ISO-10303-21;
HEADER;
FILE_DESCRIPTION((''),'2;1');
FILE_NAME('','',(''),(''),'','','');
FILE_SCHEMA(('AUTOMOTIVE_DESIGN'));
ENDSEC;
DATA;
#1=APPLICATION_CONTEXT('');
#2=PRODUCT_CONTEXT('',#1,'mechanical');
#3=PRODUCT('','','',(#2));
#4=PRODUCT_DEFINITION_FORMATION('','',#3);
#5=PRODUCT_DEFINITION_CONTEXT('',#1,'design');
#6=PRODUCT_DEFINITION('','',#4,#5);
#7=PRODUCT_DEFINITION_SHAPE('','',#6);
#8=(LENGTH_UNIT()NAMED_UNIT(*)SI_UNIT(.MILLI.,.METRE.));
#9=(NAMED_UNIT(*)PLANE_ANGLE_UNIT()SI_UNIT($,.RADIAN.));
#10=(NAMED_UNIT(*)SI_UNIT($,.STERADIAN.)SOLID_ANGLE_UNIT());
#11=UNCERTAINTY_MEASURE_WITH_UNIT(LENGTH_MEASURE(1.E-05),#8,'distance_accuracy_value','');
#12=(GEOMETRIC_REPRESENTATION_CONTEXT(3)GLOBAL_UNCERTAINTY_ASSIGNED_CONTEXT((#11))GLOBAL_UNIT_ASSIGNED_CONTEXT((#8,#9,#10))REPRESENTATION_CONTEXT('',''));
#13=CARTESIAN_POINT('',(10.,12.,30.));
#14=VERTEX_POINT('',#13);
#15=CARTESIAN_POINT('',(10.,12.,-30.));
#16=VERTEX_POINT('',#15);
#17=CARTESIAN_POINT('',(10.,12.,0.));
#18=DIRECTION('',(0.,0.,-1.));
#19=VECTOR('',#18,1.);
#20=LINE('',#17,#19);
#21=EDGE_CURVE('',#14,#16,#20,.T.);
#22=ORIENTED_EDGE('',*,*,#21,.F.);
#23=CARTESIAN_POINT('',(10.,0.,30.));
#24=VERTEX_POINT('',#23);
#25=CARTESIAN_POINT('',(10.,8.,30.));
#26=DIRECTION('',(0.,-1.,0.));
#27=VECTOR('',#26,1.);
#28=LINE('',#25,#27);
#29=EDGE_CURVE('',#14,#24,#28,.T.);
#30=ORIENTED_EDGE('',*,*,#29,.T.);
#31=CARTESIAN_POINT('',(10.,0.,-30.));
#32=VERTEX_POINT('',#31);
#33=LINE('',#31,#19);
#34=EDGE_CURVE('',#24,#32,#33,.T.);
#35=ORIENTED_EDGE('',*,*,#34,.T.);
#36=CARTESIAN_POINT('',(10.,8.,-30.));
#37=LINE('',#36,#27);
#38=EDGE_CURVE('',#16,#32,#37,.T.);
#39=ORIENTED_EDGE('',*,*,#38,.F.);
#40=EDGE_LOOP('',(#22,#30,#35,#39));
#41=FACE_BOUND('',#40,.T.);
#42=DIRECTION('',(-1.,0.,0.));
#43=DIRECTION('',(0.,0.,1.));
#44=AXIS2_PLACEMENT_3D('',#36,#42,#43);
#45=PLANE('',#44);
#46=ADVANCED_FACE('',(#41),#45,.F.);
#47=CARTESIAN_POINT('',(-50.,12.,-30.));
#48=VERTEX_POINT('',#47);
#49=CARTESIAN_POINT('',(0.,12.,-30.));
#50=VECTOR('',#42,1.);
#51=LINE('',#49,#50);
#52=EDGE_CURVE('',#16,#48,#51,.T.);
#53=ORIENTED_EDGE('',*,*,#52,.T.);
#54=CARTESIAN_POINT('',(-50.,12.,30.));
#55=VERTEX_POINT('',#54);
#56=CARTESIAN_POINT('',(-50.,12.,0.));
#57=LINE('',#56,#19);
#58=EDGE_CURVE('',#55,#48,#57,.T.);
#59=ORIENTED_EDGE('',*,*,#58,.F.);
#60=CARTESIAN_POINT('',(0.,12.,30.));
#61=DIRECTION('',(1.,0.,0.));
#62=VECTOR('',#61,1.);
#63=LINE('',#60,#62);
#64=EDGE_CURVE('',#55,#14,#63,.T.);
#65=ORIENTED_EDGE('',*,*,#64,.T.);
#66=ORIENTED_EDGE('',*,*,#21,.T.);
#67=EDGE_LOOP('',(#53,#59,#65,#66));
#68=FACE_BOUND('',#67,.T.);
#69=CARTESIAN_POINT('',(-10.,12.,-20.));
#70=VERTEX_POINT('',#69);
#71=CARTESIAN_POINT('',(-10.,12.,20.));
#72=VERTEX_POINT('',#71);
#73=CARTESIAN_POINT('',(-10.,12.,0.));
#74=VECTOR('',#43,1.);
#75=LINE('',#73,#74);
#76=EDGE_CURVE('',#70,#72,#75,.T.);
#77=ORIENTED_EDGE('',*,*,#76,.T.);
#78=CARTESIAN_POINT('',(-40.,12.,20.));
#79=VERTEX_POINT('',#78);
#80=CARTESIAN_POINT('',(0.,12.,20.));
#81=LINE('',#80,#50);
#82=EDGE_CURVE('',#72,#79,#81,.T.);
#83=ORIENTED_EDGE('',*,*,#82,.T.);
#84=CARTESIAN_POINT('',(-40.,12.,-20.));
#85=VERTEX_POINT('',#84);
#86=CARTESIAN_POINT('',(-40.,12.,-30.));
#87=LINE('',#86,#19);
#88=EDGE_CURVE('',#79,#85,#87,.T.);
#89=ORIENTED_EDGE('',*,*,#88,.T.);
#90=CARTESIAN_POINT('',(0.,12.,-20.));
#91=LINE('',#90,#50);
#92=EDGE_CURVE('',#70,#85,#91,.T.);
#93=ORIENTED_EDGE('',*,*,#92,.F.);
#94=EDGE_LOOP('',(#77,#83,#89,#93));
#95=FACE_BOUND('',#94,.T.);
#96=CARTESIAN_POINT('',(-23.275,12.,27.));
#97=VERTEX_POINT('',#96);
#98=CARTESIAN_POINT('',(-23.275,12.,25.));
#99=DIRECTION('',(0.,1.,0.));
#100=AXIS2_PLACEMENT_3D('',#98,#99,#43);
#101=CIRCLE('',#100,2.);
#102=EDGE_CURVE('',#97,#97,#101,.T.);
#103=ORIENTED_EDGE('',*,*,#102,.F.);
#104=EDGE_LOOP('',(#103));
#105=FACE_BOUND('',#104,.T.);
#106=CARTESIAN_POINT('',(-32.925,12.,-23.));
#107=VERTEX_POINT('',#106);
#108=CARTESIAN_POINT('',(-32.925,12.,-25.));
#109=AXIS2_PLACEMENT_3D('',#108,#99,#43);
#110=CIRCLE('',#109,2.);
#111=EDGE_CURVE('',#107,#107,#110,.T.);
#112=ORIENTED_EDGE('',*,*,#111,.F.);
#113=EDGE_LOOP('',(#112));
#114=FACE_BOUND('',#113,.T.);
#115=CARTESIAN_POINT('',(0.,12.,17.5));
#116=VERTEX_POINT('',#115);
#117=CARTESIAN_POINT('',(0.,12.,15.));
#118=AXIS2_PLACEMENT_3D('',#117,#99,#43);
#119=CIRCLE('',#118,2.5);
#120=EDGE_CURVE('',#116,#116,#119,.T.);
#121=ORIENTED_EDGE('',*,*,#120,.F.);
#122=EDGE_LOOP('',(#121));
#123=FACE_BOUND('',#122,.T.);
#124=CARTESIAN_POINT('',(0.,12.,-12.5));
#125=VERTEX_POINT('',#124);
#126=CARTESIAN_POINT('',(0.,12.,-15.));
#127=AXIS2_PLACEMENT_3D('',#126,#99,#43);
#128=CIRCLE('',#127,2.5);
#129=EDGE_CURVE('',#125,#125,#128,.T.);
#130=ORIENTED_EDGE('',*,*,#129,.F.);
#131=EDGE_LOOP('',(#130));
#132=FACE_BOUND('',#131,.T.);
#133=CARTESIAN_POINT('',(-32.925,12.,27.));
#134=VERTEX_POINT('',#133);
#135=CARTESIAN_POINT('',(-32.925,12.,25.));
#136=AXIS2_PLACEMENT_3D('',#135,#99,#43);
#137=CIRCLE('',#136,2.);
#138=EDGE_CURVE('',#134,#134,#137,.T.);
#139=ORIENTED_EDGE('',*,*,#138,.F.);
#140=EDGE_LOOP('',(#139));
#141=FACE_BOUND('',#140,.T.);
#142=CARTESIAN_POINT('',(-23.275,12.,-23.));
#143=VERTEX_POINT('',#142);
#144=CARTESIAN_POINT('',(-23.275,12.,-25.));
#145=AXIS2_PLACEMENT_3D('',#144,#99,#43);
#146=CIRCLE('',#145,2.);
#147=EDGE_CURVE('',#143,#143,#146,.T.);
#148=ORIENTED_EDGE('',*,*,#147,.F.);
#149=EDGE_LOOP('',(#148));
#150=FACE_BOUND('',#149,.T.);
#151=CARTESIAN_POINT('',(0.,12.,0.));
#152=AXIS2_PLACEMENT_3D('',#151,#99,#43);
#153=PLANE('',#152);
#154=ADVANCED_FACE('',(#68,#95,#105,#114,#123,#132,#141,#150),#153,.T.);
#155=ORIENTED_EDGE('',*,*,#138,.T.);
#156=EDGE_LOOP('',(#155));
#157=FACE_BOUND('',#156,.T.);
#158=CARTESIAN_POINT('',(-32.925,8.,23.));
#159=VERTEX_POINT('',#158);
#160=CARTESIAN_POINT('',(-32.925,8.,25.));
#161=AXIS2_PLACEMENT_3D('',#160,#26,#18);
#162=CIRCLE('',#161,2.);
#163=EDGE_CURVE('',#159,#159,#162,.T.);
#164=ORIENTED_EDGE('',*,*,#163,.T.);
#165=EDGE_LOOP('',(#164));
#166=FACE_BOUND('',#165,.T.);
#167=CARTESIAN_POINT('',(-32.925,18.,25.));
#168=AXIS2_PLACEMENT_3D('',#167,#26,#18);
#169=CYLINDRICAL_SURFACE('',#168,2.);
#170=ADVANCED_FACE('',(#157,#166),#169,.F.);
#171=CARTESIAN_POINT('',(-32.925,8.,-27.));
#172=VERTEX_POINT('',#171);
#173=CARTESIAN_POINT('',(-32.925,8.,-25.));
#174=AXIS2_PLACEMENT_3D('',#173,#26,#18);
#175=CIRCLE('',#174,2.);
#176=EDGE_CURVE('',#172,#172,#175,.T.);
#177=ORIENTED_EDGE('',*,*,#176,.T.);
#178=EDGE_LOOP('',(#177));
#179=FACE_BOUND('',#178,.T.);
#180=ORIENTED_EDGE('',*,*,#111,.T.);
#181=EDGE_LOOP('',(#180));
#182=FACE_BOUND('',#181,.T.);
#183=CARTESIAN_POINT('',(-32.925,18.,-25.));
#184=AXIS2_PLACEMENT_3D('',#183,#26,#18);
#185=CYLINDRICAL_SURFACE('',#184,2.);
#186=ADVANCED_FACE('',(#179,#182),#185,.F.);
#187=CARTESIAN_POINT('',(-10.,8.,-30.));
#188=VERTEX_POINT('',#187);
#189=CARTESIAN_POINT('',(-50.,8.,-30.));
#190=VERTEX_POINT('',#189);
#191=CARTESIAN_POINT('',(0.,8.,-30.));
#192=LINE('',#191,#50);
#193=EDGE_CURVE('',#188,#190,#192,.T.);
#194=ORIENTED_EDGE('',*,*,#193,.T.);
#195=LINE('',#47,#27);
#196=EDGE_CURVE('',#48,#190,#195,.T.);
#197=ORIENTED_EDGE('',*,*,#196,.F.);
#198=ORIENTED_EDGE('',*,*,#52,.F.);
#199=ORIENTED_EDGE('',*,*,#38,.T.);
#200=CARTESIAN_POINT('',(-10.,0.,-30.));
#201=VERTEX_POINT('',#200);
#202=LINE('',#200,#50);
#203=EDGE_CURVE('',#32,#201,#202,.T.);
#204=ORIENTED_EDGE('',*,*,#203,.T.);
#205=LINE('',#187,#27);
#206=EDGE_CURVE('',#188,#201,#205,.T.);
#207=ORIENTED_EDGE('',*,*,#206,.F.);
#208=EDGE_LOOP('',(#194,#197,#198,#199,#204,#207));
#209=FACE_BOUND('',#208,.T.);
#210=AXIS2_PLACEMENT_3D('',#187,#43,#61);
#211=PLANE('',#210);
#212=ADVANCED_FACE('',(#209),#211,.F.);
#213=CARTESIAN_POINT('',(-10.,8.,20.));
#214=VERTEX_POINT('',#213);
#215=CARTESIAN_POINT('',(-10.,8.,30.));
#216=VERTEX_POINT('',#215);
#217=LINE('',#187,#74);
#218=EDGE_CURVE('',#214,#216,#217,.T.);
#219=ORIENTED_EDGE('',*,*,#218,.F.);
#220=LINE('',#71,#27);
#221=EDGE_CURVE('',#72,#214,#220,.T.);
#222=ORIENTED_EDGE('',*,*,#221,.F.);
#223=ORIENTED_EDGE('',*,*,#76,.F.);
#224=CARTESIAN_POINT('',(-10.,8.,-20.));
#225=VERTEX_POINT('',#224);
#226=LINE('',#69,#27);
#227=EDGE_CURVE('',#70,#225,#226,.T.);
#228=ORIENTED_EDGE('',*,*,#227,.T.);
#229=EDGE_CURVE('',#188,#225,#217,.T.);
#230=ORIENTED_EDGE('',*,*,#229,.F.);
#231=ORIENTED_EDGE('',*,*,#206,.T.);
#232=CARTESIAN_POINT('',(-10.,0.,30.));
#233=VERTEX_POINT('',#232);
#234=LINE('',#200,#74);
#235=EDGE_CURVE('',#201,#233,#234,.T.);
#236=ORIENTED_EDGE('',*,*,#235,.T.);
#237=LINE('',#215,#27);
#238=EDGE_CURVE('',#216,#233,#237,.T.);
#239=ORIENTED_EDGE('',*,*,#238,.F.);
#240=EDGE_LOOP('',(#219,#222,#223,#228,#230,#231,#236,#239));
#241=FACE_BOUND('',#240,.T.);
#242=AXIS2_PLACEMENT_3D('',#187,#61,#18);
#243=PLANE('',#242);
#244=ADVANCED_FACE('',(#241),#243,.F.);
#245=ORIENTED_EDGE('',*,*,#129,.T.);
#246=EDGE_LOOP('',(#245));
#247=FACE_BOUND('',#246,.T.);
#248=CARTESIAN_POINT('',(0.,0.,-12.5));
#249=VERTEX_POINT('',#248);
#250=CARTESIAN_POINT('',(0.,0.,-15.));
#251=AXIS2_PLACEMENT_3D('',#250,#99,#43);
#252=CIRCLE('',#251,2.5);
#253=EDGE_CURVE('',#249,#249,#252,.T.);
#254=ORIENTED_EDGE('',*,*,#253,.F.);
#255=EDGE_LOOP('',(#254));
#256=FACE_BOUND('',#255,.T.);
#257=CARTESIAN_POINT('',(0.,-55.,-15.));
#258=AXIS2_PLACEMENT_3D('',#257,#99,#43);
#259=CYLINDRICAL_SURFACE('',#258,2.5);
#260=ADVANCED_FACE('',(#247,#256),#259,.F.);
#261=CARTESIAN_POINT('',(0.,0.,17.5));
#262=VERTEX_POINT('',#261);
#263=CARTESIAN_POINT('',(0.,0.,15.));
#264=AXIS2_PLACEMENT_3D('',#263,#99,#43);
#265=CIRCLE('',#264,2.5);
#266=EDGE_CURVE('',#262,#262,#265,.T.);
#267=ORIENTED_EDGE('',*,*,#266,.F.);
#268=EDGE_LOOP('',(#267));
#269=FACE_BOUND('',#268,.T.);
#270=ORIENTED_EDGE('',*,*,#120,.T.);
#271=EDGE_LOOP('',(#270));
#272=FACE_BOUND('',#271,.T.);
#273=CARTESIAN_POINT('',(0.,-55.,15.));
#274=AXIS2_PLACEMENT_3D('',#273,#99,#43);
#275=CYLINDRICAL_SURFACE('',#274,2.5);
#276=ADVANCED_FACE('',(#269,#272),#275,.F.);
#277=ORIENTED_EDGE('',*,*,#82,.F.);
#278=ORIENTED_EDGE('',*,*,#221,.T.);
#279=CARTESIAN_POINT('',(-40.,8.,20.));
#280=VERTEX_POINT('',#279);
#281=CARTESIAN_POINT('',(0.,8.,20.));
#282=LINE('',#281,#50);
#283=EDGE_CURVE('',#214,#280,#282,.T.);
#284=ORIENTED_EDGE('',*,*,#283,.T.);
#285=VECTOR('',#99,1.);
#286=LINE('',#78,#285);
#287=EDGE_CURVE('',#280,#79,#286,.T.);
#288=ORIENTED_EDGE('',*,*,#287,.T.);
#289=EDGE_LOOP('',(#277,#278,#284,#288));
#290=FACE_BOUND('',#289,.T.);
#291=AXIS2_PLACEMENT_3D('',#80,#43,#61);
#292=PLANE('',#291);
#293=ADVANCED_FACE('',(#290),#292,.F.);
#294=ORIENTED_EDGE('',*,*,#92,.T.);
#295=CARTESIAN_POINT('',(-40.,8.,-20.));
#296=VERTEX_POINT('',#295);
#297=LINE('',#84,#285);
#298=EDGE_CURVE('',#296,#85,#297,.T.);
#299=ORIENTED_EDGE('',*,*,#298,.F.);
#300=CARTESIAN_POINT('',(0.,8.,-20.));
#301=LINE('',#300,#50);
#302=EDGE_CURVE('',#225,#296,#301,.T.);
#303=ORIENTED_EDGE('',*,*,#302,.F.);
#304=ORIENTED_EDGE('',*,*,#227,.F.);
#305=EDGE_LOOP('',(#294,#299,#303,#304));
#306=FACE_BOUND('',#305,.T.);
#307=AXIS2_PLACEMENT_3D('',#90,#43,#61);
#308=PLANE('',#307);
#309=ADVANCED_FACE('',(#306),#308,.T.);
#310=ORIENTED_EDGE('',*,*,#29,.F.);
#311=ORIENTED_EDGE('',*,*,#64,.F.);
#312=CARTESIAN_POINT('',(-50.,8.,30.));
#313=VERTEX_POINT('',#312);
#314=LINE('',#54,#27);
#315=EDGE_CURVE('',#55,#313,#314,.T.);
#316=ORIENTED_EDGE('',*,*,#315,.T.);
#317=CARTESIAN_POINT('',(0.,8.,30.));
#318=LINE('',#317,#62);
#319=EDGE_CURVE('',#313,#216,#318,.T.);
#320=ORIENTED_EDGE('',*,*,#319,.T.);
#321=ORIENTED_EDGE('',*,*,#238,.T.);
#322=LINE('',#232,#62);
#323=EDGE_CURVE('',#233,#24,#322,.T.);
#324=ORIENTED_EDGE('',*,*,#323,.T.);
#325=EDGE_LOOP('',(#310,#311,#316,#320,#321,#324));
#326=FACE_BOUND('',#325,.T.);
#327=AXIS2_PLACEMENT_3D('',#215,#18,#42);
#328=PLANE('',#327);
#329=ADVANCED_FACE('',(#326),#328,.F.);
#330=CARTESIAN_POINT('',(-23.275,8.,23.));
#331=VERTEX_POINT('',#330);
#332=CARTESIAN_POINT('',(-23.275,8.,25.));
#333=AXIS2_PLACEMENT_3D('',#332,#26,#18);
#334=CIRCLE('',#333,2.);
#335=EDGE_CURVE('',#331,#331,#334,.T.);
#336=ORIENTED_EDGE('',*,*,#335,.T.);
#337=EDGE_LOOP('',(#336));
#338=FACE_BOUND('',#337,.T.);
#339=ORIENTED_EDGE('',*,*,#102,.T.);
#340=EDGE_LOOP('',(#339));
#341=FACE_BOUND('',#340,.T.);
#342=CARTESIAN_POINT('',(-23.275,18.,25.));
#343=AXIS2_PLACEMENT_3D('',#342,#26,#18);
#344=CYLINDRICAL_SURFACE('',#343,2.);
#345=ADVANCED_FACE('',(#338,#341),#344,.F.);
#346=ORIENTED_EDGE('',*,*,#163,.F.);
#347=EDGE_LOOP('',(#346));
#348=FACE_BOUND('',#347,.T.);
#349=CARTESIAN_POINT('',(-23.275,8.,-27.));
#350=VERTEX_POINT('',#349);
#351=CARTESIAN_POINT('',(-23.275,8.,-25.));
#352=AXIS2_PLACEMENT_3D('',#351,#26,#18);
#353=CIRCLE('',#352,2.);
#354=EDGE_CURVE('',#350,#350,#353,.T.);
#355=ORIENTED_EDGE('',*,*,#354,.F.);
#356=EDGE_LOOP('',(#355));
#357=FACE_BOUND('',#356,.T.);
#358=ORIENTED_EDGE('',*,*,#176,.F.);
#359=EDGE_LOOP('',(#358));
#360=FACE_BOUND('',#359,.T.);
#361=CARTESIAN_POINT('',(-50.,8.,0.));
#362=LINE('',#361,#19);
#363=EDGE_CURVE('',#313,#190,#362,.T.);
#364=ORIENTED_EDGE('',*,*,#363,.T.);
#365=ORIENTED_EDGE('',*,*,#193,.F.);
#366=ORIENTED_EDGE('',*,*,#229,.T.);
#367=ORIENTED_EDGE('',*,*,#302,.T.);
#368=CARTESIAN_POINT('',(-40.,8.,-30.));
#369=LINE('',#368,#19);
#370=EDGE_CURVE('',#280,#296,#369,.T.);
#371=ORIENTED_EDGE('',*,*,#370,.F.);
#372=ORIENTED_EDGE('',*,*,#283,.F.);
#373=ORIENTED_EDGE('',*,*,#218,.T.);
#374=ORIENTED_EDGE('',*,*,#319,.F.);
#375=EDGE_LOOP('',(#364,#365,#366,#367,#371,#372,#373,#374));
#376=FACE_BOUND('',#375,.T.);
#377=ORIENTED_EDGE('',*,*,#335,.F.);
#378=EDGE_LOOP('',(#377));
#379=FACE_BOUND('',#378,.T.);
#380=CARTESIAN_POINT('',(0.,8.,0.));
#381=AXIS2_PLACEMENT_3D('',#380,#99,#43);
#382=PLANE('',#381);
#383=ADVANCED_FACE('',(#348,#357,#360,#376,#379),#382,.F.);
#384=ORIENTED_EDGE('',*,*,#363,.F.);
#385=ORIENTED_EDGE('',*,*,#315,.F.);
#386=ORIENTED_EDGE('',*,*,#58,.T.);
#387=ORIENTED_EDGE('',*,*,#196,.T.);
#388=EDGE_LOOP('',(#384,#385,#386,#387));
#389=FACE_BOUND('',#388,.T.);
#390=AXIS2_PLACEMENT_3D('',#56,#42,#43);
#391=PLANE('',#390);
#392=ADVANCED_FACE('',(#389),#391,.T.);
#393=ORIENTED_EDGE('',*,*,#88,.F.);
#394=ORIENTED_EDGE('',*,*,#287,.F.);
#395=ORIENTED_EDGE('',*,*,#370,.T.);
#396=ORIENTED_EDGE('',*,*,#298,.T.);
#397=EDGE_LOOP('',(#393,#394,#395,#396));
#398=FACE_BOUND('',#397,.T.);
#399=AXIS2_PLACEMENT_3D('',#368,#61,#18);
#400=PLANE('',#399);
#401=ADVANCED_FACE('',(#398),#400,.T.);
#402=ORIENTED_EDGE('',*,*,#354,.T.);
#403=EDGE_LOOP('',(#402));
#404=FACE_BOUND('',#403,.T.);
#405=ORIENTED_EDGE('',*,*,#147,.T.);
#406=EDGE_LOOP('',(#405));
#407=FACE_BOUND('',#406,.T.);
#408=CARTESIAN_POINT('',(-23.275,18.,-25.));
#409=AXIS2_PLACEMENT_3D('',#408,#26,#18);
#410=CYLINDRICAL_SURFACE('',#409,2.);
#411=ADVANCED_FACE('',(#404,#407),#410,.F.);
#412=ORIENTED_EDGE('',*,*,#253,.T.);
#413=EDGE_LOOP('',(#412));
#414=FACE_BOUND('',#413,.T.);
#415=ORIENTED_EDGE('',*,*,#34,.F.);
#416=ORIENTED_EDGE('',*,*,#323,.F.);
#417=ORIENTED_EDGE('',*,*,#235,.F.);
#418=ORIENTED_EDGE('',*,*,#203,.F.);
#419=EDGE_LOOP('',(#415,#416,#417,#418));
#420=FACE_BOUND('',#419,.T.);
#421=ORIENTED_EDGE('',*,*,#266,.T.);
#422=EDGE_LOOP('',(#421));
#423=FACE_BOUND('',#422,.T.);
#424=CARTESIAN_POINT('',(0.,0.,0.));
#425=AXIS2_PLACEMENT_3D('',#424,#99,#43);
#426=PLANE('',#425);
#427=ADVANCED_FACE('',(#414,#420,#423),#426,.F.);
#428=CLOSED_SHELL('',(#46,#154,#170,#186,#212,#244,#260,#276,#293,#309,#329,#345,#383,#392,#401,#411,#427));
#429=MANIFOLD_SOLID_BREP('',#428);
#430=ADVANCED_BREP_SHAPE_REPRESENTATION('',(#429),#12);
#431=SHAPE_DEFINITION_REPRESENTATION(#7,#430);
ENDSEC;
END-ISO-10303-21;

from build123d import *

# Parameters (mm, degrees)
SKETCH_1_W          = 20
SKETCH_1_H          = 60
EXTRUDE_1_DEPTH     = 8
EXTRUDE_2_DEPTH     = 4
SKETCH_4_W          = 10
SKETCH_4_H          = 60
EXTRUDE_3_DEPTH     = 4
SKETCH_5_R          = 2.5
CUT_EXTRUDE_1_DEPTH = 67
CUT_EXTRUDE_2_DEPTH = 10


with BuildPart() as part:
    # 草图1 → 凸台-拉伸1 (new body)
    with BuildSketch(Plane(origin=(0, 0, 0), x_dir=(1, 0, 0), z_dir=(0, 1, 0))):
        Rectangle(SKETCH_1_W, SKETCH_1_H)
    extrude(amount=EXTRUDE_1_DEPTH)

    # 草图3 → 凸台-拉伸2 (add)
    with BuildSketch(Plane(origin=(0, 8, 0), x_dir=(1, 0, 0), z_dir=(0, 1, 0))):
        Polygon((10, -30), (10, 30), (-50, 30), (-50, 20), (-10, 20), (-10, -20), (-50, -20), (-50, -30), align=None)
    extrude(amount=EXTRUDE_2_DEPTH)

    # 草图4 → 凸台-拉伸3 (add)
    with BuildSketch(Plane(origin=(0, 12, 0), x_dir=(1, 0, 0), z_dir=(0, 1, 0))):
        with Locations((-45, 0)):
            Rectangle(SKETCH_4_W, SKETCH_4_H)
    extrude(amount=-EXTRUDE_3_DEPTH)

    # 草图5 → 切除-拉伸1 (cut)
    with BuildSketch(Plane(origin=(0, 12, 0), x_dir=(1, 0, 0), z_dir=(0, 1, 0))):
        with Locations(Location((0, 15, 0), (0, 0, 270))):
            Circle(SKETCH_5_R)
        with Locations(Location((0, -15, 0), (0, 0, 270))):
            Circle(SKETCH_5_R)
    extrude(amount=-CUT_EXTRUDE_1_DEPTH, mode=Mode.SUBTRACT)

    # 草图7 → 切除-拉伸2 (cut)
    with BuildSketch(Plane.XZ.offset(-8)):
        with BuildLine():
            ThreePointArc((-21.275, 25), (-23.275, 27), (-25.275, 25))
            ThreePointArc((-25.275, 25), (-23.275, 23), (-21.275, 25))
        make_face()
        with BuildLine():
            ThreePointArc((-30.925, 25), (-32.925, 27), (-34.925, 25))
            ThreePointArc((-34.925, 25), (-32.925, 23), (-30.925, 25))
        make_face()
        with BuildLine():
            ThreePointArc((-25.275, -25), (-23.275, -27), (-21.275, -25))
            ThreePointArc((-21.275, -25), (-23.275, -23), (-25.275, -25))
        make_face()
        with BuildLine():
            ThreePointArc((-34.925, -25), (-32.925, -27), (-30.925, -25))
            ThreePointArc((-30.925, -25), (-32.925, -23), (-34.925, -25))
        make_face()
    extrude(amount=-CUT_EXTRUDE_2_DEPTH, mode=Mode.SUBTRACT)


solid = part.part
